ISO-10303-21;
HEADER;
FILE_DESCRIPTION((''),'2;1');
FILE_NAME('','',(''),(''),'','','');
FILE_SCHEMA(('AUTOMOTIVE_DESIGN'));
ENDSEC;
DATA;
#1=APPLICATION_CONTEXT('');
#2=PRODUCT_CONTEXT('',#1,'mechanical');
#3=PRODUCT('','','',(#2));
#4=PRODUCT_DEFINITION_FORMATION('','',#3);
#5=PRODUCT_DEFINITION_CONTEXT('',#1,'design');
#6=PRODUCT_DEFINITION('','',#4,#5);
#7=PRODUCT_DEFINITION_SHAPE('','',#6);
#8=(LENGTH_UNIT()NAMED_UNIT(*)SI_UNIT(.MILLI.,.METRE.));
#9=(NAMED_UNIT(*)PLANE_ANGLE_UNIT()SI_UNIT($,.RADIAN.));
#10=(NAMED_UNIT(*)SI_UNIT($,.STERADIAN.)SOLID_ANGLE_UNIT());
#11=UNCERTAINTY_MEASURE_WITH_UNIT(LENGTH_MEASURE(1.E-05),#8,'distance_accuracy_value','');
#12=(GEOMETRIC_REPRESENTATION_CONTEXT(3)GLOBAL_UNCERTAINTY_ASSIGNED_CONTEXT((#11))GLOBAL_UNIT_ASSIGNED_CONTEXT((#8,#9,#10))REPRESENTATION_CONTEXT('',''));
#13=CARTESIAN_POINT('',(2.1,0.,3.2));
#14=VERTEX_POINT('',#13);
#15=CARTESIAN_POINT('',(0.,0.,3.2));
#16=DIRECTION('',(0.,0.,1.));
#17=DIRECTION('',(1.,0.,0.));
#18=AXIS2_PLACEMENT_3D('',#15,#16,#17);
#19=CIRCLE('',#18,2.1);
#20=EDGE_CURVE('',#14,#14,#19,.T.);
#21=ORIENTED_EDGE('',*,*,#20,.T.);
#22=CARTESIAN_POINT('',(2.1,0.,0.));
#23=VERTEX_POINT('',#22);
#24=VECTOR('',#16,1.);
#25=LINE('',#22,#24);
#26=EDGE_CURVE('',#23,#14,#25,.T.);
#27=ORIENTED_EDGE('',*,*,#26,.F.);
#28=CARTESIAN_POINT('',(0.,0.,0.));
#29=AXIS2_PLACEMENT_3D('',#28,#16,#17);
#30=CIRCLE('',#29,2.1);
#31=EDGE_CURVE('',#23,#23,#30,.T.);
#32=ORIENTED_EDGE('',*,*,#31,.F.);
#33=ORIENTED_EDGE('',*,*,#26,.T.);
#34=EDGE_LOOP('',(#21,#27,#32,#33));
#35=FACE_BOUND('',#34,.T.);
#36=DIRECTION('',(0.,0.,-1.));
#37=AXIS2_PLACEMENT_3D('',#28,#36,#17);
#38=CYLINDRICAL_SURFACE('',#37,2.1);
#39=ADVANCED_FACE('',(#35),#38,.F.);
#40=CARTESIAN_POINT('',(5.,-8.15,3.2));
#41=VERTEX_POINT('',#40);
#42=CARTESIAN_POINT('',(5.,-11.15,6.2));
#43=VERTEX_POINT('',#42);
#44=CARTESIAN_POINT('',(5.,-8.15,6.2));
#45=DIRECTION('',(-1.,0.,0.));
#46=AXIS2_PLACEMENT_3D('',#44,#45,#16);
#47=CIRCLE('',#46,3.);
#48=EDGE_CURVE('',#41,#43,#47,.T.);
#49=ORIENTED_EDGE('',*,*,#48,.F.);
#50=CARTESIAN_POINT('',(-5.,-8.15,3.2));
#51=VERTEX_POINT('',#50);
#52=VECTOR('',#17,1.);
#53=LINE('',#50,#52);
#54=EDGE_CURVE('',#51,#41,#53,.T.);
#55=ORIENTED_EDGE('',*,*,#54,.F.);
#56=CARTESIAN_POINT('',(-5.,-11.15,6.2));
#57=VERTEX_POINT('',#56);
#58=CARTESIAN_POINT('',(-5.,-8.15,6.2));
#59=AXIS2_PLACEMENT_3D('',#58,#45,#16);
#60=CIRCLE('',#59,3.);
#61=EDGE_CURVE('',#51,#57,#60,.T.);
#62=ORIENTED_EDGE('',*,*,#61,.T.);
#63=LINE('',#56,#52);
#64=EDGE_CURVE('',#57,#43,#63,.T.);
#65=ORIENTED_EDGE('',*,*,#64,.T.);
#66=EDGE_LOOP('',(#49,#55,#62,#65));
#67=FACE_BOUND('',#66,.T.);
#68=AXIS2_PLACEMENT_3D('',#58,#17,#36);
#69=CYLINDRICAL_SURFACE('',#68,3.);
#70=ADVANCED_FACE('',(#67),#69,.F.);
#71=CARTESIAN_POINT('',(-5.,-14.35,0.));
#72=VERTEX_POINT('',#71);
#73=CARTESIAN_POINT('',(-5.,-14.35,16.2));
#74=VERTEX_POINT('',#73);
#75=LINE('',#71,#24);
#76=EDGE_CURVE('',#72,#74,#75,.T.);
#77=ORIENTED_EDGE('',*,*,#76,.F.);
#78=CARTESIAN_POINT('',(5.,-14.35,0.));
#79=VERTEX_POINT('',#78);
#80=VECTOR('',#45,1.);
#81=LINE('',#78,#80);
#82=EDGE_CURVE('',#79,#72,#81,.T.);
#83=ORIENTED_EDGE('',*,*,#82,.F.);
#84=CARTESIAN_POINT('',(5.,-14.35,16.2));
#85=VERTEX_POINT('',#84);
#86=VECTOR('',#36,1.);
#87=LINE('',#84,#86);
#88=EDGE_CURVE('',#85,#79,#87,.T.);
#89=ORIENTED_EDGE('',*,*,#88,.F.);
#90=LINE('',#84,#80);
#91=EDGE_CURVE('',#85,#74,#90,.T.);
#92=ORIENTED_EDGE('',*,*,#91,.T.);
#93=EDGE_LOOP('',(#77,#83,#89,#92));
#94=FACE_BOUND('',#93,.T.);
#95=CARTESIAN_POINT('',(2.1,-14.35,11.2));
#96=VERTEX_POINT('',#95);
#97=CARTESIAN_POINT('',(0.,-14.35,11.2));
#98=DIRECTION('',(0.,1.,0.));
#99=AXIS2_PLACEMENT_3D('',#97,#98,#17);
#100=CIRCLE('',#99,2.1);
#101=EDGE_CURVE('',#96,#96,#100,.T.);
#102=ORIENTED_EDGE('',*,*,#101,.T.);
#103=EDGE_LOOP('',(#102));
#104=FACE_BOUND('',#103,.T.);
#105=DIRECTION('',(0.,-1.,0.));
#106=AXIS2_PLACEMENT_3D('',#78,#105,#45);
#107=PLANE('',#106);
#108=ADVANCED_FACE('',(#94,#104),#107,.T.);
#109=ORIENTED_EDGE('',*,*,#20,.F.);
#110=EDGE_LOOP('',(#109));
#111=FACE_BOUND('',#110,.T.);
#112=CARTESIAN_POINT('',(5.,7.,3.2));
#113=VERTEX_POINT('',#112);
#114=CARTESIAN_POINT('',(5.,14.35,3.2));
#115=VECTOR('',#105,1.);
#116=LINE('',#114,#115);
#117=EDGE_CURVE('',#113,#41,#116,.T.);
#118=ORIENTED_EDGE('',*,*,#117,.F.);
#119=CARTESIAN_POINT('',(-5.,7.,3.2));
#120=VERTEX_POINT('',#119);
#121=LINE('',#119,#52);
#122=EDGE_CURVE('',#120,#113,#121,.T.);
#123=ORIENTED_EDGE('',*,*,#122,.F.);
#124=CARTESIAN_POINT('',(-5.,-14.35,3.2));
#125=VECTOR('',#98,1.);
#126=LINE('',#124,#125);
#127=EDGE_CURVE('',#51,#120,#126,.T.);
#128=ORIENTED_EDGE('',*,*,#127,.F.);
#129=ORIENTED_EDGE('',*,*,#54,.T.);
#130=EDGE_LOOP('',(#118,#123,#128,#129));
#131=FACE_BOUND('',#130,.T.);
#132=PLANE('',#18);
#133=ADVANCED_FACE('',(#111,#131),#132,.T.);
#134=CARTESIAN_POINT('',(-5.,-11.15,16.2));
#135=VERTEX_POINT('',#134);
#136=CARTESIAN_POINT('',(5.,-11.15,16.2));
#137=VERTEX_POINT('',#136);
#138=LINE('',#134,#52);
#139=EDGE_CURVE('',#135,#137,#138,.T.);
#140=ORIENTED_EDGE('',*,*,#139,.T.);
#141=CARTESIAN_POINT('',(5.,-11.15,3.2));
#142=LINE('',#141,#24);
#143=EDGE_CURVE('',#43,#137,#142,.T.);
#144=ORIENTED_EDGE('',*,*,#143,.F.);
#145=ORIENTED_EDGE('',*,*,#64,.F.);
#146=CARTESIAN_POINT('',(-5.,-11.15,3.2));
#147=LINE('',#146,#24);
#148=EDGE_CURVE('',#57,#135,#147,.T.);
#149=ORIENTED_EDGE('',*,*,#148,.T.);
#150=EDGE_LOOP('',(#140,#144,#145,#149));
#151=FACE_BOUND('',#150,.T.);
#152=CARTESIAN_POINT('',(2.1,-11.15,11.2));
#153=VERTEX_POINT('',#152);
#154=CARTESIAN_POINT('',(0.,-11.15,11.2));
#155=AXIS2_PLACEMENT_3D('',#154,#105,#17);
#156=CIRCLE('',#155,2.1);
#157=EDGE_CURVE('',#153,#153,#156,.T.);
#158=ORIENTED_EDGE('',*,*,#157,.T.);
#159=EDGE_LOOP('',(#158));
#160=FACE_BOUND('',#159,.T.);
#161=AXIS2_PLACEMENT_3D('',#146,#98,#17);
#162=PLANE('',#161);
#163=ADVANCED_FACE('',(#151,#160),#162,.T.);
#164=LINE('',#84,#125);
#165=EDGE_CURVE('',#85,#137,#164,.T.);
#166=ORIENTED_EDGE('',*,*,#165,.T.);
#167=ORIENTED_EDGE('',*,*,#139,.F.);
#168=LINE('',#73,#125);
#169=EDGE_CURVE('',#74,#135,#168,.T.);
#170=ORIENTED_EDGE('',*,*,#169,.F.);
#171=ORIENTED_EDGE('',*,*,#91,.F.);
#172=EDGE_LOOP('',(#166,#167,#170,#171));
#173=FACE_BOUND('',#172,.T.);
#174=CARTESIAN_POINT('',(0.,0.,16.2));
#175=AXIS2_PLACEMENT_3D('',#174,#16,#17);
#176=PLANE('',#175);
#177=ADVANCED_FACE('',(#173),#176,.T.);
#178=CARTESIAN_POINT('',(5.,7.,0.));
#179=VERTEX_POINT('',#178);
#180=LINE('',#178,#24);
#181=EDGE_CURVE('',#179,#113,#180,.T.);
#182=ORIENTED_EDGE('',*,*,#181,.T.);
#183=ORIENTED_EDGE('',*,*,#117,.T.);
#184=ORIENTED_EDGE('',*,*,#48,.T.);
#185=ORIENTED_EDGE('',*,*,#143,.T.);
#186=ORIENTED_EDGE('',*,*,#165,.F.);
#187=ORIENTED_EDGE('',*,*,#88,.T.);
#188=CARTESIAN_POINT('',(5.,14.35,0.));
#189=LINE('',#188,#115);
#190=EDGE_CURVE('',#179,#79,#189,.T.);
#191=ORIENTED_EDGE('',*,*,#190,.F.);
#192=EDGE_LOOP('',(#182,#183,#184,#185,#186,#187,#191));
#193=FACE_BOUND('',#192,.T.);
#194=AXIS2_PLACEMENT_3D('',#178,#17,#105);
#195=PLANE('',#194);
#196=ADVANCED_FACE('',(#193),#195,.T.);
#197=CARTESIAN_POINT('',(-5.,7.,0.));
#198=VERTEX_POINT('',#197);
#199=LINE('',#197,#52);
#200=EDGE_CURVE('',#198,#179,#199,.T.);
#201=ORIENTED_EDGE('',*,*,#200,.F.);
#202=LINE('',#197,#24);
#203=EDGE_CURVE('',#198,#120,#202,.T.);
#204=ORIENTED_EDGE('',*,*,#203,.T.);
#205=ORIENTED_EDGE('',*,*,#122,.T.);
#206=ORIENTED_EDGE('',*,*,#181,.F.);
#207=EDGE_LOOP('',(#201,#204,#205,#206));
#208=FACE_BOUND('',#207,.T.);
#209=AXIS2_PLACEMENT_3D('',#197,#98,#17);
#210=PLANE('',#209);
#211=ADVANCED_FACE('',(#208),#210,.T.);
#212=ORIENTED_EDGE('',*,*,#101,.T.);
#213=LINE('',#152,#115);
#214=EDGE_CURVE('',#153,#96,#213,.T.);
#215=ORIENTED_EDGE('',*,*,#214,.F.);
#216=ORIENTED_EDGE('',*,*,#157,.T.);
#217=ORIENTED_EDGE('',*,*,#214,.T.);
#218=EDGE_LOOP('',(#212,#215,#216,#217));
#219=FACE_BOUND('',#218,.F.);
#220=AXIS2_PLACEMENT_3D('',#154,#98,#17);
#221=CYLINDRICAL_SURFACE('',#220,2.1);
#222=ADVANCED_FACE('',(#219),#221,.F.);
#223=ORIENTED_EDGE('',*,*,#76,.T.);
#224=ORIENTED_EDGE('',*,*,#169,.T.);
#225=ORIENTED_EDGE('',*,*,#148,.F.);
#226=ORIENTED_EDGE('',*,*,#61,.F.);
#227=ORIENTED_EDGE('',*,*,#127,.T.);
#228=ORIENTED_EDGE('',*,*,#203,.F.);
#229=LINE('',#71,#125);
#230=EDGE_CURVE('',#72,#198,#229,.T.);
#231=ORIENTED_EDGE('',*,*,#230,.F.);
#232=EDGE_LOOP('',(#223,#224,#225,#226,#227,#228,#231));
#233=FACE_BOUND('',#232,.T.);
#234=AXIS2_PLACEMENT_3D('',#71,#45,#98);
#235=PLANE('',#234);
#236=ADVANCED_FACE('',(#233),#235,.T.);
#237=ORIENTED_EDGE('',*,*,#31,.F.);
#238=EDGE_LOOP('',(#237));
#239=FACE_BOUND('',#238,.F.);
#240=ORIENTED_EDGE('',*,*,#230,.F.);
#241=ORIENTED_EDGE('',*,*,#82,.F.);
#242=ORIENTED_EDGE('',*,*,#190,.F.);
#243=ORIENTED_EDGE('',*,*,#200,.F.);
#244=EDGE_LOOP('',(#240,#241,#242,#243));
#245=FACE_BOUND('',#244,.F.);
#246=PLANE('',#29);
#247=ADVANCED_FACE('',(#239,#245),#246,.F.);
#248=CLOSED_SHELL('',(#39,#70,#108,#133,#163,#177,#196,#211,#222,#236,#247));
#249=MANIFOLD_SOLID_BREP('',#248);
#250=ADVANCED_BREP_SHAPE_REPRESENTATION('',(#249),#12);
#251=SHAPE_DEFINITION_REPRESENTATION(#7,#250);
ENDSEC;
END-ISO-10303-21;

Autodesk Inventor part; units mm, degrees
ref_plane "YZ Plane" through (0, 0, 0) normal (1, 0, 0) x (0, 1, 0)
ref_plane "XZ Plane" through (0, 0, 0) normal (0, 1, 0) x (-1, 0, 0)
ref_plane "XY Plane" through (0, 0, 0) normal (0, 0, 1) x (1, 0, 0)
sketch "Эскиз1" plane through (0, 0, 0) normal (0, 0, 1) x (1, 0, 0)
  circle A0 centre (0, 0) radius 2.1
  line L0 (-5, 14.35) -> (5, 14.35)
  line L1 (5, 14.35) -> (5, -14.35)
  line L2 (5, -14.35) -> (-5, -14.35)
  line L3 (-5, -14.35) -> (-5, 14.35)
  line L4 (-5, 14.35) -> (5, -14.35) construction
  line L5 (5, 14.35) -> (-5, -14.35) construction
  line L6 (-5, 7) -> (5, 7)
  dimension "d0" = 4.2
  dimension "d2" = 10
  dimension "d3" = 28.7
  dimension "d4" = 7
extrude "Выдавливание1" add sketch "Эскиз1" along normal blind 3.2 contours L6 L1 L2 L3
sketch "Эскиз2" plane through (0, 0, 3.2) normal (0, 0, 1) x (1, 0, 0)
  line L0 (5, -14.35) -> (5, 7) projected
  line L1 (5, -14.35) -> (-5, -14.35)
  line L2 (-5, -14.35) -> (-5, -11.15)
  line L3 (-5, -11.15) -> (5, -11.15)
  line L4 (5, -11.15) -> (5, -14.35)
  point P0 (0, 0)
  point P1 (5, -11.15)
  dimension "d7" = 10
  dimension "d8" = 3.2
extrude "Выдавливание2" add sketch "Эскиз2" along normal blind 13
fillet "Сопряжение1" radius 3 1 edges at (0, -11.15, 3.2)
sketch "Эскиз3" plane through (-5, -11.15, 16.2) normal (0, 1, 0) x (1, 0, 0)
  line L0 (0, 10) -> (10, 10) projected
  line L1 (5, 10) -> (5, 0)
  line L2 (0, 0) -> (10, 0) projected
  circle A0 centre (5, 5) radius 2.1
  point P0 (5, 16.2)
  dimension "d12" = 4.2
extrude "Выдавливание3" cut sketch "Эскиз3" against normal blind 13
properties part number "мертвое колесо крепл 25-26"
